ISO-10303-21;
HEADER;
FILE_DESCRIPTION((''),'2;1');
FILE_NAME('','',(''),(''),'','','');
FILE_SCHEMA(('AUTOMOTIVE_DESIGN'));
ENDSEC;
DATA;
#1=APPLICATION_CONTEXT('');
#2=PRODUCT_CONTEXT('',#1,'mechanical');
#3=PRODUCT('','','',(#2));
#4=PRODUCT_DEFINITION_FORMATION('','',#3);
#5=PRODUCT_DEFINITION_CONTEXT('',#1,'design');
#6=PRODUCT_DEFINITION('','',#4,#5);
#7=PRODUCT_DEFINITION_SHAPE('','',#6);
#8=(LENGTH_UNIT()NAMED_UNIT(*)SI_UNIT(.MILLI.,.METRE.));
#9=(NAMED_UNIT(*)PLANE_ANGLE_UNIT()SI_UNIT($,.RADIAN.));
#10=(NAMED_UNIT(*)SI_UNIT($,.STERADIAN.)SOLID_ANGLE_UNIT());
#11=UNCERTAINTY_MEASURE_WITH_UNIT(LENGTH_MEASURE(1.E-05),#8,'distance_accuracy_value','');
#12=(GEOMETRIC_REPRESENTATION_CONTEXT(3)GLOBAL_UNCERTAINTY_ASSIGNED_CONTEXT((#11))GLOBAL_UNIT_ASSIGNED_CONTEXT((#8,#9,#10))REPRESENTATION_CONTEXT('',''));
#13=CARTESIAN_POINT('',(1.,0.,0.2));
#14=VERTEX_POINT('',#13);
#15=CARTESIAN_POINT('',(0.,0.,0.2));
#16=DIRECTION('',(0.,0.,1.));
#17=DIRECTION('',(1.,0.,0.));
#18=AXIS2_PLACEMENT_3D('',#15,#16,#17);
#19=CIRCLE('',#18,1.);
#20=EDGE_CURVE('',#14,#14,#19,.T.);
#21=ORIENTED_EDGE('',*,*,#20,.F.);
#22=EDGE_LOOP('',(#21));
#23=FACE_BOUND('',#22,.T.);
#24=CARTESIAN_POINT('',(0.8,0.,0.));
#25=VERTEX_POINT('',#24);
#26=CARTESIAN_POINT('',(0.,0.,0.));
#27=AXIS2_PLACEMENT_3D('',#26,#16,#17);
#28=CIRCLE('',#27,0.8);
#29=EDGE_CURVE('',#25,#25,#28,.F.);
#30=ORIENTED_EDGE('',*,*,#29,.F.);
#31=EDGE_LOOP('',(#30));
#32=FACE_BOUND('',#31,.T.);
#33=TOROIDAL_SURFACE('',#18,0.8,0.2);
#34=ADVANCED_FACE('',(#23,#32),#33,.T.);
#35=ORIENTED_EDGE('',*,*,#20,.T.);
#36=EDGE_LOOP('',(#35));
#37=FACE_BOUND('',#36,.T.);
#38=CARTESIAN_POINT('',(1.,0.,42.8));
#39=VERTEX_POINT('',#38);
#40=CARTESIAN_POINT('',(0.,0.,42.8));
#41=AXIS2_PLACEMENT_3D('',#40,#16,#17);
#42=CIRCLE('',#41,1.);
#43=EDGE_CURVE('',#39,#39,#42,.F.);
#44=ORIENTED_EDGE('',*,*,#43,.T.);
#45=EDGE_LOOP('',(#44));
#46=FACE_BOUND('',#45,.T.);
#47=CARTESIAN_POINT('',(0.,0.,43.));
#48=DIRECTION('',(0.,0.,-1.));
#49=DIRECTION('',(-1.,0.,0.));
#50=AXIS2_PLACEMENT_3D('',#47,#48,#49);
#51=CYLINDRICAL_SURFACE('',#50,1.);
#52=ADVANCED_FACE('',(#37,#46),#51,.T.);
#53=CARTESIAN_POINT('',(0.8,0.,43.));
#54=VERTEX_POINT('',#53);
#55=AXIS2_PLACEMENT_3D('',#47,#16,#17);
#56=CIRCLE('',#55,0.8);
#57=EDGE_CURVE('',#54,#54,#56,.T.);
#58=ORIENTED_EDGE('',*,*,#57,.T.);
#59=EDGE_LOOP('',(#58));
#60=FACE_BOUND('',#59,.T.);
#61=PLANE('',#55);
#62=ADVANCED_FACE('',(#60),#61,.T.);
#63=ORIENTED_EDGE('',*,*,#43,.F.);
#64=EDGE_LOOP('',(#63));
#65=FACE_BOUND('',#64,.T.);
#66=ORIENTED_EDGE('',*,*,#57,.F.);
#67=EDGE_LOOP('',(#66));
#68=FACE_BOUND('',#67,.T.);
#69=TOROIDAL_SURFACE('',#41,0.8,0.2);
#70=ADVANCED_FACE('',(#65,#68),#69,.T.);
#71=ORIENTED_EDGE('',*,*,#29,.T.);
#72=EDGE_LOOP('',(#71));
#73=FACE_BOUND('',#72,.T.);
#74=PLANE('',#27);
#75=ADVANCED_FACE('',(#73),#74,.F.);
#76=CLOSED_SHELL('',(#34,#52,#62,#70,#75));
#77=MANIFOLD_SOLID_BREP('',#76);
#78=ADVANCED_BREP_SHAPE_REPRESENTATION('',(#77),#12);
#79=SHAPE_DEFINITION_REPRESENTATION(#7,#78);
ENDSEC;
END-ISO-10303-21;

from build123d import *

# Parameters (mm, degrees)
SKETCH_1_R      = 1
EXTRUDE_1_DEPTH = 43
FILLET_1_R      = 0.2


with BuildPart() as part:
    # Эскиз1 → Бобышка-Вытянуть1 (new body)
    with BuildSketch(Plane.XY):
        Circle(SKETCH_1_R)
    extrude(amount=EXTRUDE_1_DEPTH)

    # Скругление1
    fillet_1_edges = [part.edges().sort_by_distance(p)[0] for p in [
        (-1, 0, 0),
        (-1, 0, 43),
    ]]
    fillet(fillet_1_edges, radius=FILLET_1_R)


solid = part.part
